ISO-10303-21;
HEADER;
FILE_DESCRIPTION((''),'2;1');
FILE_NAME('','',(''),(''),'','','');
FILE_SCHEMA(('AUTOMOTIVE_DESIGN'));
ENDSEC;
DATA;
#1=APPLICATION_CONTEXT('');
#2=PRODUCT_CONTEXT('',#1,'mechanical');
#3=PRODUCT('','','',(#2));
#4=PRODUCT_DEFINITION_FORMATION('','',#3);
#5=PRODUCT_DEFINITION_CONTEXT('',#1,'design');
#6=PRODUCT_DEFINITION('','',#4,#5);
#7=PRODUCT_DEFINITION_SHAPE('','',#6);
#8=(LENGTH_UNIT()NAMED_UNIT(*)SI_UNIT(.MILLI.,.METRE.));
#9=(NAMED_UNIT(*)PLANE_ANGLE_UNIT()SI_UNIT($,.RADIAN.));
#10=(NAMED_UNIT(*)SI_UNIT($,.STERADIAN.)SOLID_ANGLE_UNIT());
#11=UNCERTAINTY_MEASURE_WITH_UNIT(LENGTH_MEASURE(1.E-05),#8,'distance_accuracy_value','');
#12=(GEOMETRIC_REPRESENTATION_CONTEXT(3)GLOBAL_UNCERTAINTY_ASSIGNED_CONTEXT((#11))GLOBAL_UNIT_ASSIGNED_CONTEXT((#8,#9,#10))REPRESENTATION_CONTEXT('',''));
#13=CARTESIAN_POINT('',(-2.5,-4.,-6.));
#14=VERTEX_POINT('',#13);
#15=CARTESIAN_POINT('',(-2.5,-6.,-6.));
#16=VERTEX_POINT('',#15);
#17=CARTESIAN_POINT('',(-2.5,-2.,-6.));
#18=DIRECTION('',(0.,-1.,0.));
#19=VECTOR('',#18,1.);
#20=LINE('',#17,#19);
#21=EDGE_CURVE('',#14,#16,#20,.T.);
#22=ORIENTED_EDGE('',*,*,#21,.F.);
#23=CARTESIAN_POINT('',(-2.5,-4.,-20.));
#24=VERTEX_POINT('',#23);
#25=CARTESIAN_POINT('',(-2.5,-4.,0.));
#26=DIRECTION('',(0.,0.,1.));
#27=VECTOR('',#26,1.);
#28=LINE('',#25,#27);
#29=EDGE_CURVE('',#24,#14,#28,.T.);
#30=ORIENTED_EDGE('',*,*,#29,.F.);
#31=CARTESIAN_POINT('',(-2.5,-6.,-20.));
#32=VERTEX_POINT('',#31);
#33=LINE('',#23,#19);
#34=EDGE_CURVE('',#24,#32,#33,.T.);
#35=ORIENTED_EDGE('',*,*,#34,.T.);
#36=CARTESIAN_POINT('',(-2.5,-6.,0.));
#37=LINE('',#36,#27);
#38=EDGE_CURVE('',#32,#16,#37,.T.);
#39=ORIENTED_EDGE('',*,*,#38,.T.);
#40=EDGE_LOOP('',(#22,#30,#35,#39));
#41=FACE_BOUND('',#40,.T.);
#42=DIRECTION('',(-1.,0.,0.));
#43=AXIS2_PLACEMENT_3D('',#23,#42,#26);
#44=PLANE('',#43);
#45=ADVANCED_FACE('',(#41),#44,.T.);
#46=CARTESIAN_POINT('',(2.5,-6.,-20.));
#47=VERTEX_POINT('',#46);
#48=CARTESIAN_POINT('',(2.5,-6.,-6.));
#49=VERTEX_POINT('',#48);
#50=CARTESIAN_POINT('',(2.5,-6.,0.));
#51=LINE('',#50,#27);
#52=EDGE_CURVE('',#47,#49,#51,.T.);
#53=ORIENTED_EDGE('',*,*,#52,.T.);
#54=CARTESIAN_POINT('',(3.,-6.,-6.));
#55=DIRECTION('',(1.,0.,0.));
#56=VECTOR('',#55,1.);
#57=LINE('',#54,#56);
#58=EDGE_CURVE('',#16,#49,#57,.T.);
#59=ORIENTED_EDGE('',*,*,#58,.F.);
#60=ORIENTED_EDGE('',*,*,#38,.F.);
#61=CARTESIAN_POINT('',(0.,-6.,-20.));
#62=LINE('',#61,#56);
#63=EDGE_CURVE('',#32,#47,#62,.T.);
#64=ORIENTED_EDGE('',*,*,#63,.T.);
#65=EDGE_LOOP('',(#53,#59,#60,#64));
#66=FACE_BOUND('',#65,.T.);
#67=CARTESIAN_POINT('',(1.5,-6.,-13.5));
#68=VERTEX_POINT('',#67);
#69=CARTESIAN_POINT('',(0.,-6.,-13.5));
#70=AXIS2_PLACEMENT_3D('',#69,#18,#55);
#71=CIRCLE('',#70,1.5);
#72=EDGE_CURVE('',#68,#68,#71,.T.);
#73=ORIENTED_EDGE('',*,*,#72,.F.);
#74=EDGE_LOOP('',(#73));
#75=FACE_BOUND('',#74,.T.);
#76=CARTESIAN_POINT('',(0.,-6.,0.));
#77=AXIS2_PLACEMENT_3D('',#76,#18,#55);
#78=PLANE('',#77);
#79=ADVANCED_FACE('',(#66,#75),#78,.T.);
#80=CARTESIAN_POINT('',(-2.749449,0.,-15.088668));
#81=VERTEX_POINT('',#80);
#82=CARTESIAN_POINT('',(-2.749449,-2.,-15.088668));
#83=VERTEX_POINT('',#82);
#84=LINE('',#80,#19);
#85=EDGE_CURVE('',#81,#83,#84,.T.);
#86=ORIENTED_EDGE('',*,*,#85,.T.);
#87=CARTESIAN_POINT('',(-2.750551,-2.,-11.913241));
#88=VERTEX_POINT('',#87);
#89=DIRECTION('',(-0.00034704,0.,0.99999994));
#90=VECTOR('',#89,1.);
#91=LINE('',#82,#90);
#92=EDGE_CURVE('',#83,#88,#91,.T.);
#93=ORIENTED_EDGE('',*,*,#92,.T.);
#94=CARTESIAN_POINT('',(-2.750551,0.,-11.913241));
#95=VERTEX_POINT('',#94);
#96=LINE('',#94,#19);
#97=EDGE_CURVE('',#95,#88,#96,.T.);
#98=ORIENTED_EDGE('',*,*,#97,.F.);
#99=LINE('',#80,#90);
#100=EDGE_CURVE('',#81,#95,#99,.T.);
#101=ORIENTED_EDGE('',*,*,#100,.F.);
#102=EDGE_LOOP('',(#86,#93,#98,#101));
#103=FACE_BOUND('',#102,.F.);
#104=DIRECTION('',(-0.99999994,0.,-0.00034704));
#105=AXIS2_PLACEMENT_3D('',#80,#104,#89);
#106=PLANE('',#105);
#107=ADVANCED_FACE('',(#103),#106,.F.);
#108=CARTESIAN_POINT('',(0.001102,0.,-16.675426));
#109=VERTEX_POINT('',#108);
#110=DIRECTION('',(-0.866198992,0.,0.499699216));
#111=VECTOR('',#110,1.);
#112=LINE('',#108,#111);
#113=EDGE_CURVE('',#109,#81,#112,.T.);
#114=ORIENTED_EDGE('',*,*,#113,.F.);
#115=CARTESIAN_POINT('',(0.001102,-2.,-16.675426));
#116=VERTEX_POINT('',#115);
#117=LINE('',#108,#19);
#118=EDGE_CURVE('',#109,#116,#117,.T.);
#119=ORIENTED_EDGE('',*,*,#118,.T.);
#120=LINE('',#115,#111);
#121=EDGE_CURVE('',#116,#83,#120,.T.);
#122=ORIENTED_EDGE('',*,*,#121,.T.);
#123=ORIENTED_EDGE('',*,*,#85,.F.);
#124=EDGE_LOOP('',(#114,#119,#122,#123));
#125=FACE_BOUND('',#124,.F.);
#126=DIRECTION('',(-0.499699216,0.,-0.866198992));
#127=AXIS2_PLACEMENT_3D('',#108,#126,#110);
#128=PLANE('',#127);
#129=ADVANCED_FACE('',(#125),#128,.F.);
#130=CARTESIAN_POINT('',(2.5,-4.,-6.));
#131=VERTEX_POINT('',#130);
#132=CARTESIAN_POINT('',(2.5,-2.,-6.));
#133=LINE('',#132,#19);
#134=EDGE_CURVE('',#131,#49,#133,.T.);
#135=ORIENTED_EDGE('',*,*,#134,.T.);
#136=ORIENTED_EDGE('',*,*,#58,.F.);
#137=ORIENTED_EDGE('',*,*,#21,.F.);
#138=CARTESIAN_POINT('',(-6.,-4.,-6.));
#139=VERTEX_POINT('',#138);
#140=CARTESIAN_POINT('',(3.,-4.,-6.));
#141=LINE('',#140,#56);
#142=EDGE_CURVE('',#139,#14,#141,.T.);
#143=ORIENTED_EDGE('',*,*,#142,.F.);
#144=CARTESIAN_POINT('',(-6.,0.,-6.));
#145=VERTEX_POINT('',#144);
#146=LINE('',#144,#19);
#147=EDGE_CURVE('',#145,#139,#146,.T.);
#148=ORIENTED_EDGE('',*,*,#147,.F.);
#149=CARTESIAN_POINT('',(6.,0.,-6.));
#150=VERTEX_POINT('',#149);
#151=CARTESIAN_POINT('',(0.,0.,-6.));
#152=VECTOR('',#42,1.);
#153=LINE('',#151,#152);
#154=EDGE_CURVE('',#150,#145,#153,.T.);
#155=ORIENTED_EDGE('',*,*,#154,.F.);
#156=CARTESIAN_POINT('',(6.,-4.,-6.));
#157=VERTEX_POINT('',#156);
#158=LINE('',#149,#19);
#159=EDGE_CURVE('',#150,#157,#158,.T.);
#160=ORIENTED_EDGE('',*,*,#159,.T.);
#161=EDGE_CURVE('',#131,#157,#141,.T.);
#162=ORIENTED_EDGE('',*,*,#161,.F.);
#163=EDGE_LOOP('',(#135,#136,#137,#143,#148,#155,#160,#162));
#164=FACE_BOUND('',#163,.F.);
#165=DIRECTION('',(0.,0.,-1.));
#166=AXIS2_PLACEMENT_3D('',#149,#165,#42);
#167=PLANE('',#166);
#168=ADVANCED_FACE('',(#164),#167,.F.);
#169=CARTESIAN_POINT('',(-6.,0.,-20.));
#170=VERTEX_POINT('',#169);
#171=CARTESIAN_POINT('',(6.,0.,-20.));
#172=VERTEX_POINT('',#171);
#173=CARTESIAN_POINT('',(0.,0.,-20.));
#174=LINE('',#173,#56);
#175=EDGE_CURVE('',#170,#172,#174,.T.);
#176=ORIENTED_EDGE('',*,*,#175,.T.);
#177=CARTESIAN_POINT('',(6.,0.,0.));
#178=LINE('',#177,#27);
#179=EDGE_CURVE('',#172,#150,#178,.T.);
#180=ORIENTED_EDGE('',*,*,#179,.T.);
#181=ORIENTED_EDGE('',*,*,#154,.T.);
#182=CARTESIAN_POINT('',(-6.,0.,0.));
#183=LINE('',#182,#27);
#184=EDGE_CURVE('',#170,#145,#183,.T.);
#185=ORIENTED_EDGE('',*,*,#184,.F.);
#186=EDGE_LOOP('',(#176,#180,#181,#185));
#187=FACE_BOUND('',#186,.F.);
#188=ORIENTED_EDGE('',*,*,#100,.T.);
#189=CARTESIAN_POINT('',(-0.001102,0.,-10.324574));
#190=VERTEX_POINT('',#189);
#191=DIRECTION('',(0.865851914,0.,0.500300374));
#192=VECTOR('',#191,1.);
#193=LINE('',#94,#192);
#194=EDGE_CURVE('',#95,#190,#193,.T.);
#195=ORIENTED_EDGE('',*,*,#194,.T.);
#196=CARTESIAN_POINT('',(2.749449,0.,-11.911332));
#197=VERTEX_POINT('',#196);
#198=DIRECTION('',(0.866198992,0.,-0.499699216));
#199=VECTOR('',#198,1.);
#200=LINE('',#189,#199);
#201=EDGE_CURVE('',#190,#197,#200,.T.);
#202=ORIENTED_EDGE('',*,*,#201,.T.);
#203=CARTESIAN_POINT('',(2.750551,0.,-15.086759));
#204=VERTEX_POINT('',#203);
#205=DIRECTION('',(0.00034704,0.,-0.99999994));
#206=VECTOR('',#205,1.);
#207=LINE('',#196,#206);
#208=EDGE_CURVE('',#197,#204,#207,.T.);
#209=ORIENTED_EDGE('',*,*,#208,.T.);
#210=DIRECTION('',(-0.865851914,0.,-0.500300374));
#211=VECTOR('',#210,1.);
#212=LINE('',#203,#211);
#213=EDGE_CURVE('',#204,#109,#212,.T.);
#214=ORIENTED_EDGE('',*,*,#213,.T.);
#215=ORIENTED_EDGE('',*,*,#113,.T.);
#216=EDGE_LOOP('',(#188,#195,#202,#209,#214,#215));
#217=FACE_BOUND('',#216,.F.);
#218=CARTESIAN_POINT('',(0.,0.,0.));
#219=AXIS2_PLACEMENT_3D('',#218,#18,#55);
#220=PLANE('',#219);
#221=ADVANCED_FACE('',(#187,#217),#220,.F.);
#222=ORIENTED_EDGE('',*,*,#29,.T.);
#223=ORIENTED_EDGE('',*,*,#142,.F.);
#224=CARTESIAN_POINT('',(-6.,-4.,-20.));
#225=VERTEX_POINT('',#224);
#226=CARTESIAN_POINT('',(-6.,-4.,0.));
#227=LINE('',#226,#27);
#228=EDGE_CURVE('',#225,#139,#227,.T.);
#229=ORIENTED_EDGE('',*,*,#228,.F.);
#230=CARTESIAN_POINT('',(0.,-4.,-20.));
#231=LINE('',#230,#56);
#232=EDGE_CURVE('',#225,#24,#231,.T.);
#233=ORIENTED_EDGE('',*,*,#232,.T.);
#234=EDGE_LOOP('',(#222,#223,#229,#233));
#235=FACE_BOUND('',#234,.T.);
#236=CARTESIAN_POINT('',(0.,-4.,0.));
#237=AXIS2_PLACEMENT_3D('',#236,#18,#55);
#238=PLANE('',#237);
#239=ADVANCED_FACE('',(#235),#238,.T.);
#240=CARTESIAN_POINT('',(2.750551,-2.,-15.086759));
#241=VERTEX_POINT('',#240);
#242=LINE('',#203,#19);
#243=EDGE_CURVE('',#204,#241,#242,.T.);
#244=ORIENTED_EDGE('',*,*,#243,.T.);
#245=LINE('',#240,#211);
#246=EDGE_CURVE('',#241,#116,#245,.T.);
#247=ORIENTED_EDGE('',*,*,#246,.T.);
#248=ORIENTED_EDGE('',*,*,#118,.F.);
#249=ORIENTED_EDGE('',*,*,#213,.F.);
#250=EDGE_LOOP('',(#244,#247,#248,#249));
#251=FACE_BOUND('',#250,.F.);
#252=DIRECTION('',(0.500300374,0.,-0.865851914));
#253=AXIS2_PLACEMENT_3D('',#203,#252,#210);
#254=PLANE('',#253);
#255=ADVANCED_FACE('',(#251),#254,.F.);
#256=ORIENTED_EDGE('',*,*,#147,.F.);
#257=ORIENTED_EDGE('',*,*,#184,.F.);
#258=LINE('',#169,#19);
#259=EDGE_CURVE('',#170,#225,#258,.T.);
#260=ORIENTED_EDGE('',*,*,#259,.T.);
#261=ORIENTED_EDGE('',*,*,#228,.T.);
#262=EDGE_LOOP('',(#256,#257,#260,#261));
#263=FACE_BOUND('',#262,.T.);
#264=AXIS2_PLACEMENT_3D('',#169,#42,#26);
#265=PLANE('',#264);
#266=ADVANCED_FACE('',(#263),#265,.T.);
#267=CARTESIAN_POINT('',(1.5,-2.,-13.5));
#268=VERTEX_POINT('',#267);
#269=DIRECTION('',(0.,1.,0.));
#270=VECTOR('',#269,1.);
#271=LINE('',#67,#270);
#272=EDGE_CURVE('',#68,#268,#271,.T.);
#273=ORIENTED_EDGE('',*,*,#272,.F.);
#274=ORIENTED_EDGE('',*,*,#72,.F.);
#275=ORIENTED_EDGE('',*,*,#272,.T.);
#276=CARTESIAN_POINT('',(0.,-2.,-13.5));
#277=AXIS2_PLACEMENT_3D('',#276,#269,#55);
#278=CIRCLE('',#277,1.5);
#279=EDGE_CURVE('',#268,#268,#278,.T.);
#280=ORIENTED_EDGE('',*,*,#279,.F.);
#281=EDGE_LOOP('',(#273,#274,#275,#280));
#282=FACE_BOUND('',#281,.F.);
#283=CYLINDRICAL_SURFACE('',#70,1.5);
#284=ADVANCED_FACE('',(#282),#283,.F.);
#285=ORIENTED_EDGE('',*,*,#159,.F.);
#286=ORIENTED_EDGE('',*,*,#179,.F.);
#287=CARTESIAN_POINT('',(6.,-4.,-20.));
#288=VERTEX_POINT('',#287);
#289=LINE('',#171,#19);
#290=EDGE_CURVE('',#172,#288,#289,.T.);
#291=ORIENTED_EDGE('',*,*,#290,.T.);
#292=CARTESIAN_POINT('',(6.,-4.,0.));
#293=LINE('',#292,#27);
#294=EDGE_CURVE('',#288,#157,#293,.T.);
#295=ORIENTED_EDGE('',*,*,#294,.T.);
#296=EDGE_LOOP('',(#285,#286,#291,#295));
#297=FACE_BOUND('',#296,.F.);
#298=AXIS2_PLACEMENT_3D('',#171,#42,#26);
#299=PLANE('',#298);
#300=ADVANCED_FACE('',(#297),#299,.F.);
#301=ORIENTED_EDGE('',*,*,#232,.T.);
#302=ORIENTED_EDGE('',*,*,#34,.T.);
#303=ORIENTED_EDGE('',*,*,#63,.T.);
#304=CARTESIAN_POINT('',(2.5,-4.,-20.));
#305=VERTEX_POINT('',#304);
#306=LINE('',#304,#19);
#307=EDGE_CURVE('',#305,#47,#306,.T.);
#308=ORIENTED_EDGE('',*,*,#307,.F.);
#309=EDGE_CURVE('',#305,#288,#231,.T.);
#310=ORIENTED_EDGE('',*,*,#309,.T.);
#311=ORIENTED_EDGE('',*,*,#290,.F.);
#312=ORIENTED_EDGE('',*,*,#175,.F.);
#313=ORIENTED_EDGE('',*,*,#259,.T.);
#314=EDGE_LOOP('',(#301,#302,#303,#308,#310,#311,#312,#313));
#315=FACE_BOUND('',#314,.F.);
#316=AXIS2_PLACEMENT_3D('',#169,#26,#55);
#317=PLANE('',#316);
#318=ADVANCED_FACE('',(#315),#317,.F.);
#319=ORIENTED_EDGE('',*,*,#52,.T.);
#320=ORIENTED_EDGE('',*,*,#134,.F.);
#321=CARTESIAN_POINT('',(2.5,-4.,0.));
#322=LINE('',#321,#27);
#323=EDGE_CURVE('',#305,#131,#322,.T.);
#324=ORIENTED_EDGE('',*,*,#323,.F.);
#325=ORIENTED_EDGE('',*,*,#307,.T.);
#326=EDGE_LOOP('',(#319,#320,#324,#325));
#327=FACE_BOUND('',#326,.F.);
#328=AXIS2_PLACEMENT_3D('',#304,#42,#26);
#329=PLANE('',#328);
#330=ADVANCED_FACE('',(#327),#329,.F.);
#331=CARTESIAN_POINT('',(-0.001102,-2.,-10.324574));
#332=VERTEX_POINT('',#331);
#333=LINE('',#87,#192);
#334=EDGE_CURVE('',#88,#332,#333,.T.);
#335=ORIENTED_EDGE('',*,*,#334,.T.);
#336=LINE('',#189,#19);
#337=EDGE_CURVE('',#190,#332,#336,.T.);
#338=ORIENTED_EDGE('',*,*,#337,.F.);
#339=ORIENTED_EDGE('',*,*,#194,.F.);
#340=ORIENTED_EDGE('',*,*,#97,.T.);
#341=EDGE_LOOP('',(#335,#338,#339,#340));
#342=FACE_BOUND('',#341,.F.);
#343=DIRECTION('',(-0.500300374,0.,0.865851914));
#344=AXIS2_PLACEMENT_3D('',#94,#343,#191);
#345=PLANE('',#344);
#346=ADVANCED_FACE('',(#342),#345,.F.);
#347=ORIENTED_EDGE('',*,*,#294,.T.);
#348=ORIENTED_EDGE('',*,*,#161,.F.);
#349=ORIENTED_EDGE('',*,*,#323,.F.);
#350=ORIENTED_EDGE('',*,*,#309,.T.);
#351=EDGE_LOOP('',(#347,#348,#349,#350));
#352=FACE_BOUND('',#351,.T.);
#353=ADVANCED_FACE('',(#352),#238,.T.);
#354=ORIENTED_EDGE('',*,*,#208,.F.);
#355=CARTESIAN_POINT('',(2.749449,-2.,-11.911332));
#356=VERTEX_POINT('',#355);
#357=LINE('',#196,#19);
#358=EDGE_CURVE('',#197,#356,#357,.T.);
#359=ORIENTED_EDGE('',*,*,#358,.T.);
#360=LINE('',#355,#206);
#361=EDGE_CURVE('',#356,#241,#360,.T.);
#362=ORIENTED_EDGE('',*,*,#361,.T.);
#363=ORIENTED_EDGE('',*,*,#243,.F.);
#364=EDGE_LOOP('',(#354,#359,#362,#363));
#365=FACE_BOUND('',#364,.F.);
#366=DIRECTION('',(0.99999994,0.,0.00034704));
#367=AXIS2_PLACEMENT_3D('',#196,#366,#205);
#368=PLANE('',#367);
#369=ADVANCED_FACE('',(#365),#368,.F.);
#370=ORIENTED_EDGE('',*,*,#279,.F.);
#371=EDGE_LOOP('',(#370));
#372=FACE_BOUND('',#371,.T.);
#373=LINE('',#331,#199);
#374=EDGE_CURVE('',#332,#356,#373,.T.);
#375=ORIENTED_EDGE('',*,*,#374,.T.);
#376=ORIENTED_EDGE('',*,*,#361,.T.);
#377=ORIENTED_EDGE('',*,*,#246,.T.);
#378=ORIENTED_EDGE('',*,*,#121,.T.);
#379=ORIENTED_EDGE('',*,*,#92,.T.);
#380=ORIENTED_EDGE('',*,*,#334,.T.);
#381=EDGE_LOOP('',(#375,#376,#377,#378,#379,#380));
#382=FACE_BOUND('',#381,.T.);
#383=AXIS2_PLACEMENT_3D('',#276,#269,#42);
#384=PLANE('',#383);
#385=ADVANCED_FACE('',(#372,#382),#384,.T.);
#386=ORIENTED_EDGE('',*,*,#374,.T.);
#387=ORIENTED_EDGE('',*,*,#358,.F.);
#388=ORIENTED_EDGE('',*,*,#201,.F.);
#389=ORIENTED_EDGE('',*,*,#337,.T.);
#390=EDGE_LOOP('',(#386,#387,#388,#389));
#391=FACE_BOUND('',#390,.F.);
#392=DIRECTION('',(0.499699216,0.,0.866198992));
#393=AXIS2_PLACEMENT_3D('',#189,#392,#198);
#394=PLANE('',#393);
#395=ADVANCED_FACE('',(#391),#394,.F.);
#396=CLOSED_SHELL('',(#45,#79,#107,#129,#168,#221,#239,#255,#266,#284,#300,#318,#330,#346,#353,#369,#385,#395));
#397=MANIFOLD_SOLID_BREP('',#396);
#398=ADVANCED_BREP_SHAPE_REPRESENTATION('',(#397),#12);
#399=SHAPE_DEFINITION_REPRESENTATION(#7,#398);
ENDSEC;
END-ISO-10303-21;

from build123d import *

# Parameters (mm, degrees)
F0_W     = 12
F0_H     = 40
F1_DEPTH = 4
F2_W     = 5
F2_H     = 40
F3_DEPTH = 2
F4_R     = 1.5
F5_DEPTH = 25
F6_R     = 1.5
F7_DEPTH = 2
F8_W     = 4.029665
F8_H     = 26
F8_W_2   = 12
F9_DEPTH = 25


with BuildPart() as f1:
    # F0 (on Front) → F1 (new body)
    with BuildSketch(Plane.XZ):
        Rectangle(F0_W, F0_H)
    extrude(amount=F1_DEPTH)

    # F2 (on face) → F3 (join)
    with BuildSketch(Plane.XZ.offset(4)):
        Rectangle(F2_W, F2_H)
    extrude(amount=F3_DEPTH)

    # F4 (on face) → F5 (cut)
    with BuildSketch(Plane.XZ.offset(6)):
        with Locations((0, 16.5)):
            Circle(F4_R)
        with Locations((0, -13.5)):
            Circle(F4_R)
    extrude(amount=-F5_DEPTH, mode=Mode.SUBTRACT)

    # F6 (on face) → F7 (cut)
    with BuildSketch(Plane(origin=(0, 0, 0), x_dir=(-1, 0, 0), z_dir=(0, 1, 0))):
        Polygon((2.75, 14.912287), (2.75, 18.087713), (0, 19.675426), (-2.75, 18.087713), (-2.75, 14.912287), (0, 13.324574), align=None)
        with Locations((0, 16.5)):
            Circle(F6_R, mode=Mode.SUBTRACT)
        Polygon((2.750551, -11.913241), (0.001102, -10.324574), (-2.749449, -11.911332), (-2.750551, -15.086759), (-0.001102, -16.675426), (2.749449, -15.088668), align=None)
        with Locations((0, -13.5)):
            Circle(F6_R, mode=Mode.SUBTRACT)
    extrude(amount=-F7_DEPTH, mode=Mode.SUBTRACT)

    # F8 (on face) → F9 (cut)
    with BuildSketch(Plane(origin=(0, 0, 0), x_dir=(-1, 0, 0), z_dir=(0, 1, 0))):
        with Locations((8.014833, 7)):
            Rectangle(F8_W, F8_H)
        with Locations((0, 7)):
            Rectangle(F8_W_2, F8_H)
        Polygon((2.75, 18.087713), (2.75, 14.912287), (0, 13.324574), (-2.75, 14.912287), (-2.75, 18.087713), (0, 19.675426), align=None, mode=Mode.SUBTRACT)
        Polygon((0, 13.324574), (2.75, 14.912287), (2.75, 18.087713), (0, 19.675426), (-2.75, 18.087713), (-2.75, 14.912287), align=None)
    extrude(amount=-F9_DEPTH, mode=Mode.SUBTRACT)


solid = f1.part
